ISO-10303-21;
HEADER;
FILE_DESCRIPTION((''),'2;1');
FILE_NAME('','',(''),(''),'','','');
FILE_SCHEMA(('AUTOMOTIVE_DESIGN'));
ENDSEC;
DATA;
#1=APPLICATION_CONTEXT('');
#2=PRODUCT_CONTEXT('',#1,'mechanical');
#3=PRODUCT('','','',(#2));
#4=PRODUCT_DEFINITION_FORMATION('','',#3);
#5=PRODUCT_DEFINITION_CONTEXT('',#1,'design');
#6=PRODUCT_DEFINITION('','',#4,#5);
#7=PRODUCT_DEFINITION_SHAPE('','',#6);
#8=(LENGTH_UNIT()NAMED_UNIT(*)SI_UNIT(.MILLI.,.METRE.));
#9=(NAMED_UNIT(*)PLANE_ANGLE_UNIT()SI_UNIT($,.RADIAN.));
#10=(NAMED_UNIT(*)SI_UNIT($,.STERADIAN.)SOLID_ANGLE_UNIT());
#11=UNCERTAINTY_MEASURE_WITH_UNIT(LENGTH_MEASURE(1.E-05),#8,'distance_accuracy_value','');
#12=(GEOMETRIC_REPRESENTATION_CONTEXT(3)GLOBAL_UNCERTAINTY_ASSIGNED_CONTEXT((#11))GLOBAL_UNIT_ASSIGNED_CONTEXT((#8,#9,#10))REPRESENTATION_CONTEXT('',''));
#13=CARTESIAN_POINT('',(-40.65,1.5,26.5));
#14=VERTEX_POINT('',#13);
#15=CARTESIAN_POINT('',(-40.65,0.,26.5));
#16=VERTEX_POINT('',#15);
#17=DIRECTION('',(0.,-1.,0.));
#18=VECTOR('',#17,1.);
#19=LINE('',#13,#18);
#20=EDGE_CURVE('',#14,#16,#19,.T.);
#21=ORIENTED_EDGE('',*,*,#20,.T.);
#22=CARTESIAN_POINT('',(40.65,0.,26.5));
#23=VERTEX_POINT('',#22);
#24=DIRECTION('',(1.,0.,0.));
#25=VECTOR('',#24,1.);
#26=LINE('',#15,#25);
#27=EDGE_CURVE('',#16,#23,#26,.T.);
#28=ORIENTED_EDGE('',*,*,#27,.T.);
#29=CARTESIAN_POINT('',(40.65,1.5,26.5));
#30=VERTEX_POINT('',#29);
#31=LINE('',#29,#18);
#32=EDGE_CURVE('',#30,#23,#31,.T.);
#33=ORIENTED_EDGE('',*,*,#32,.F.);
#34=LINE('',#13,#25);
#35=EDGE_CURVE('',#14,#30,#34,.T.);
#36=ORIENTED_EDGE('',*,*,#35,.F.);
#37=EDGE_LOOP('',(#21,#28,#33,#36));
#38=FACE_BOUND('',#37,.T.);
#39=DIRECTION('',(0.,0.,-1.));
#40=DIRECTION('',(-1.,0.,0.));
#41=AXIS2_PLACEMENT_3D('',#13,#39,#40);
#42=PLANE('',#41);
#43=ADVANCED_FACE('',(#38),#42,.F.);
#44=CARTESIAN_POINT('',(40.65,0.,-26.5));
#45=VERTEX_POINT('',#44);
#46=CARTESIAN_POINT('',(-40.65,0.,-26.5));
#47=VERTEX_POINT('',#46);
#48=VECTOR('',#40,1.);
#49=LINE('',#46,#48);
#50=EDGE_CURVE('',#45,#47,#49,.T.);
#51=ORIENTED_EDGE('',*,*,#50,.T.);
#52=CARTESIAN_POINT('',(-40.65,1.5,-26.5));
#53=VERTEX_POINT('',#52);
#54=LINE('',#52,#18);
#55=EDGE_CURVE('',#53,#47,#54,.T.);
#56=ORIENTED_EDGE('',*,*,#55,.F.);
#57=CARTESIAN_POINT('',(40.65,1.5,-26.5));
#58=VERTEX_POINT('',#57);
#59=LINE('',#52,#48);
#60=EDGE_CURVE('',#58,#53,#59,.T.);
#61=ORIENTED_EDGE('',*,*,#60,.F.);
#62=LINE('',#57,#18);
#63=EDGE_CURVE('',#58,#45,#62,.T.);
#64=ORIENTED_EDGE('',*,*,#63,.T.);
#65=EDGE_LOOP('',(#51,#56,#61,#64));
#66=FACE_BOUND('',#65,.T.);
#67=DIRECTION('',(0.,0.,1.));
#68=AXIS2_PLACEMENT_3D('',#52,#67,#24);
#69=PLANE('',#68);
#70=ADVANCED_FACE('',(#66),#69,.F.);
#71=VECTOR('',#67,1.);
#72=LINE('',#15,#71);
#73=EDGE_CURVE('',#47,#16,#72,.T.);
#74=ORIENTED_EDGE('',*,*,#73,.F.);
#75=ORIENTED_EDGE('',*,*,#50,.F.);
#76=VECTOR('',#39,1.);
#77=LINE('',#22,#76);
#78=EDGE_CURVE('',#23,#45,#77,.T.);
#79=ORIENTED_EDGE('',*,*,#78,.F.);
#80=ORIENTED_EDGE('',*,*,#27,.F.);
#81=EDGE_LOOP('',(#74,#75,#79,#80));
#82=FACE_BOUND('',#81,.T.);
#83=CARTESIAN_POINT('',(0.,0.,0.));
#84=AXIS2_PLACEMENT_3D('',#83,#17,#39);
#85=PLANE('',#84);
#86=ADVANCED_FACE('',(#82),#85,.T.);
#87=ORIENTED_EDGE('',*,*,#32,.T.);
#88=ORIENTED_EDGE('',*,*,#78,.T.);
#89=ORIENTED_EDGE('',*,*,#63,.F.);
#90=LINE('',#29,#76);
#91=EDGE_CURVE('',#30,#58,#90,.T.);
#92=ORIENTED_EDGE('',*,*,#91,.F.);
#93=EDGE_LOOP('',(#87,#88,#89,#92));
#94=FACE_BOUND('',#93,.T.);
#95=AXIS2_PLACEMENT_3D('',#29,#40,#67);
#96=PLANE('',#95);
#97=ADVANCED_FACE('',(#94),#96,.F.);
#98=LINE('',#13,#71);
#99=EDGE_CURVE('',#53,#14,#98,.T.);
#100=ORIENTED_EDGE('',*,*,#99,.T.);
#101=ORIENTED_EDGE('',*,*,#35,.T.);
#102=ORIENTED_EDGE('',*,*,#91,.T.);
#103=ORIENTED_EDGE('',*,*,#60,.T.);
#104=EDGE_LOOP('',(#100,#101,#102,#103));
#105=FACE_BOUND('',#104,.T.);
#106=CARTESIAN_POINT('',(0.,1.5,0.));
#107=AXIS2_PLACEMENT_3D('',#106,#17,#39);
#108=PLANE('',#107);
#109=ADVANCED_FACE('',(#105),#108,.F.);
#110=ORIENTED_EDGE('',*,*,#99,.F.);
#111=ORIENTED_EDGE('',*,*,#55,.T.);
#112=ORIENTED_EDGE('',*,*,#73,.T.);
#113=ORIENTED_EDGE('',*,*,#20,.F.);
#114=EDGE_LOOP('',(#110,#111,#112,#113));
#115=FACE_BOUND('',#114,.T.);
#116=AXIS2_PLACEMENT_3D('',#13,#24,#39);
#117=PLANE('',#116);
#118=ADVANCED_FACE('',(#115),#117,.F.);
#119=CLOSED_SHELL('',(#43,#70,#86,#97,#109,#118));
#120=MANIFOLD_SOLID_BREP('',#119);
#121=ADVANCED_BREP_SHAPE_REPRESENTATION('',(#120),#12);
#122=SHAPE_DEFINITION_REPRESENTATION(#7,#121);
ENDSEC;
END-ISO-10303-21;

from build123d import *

# Parameters (mm, degrees)
CROQUIS1_W              = 81.3
CROQUIS1_H              = 53
SALIENTE_EXTRUIR1_DEPTH = 1.5


with BuildPart() as part:
    # Croquis1 → Saliente-Extruir1 (new body)
    with BuildSketch(Plane(origin=(0, 0, 0), x_dir=(1, 0, 0), z_dir=(0, 1, 0))):
        Rectangle(CROQUIS1_W, CROQUIS1_H)
    extrude(amount=SALIENTE_EXTRUIR1_DEPTH)


solid = part.part
